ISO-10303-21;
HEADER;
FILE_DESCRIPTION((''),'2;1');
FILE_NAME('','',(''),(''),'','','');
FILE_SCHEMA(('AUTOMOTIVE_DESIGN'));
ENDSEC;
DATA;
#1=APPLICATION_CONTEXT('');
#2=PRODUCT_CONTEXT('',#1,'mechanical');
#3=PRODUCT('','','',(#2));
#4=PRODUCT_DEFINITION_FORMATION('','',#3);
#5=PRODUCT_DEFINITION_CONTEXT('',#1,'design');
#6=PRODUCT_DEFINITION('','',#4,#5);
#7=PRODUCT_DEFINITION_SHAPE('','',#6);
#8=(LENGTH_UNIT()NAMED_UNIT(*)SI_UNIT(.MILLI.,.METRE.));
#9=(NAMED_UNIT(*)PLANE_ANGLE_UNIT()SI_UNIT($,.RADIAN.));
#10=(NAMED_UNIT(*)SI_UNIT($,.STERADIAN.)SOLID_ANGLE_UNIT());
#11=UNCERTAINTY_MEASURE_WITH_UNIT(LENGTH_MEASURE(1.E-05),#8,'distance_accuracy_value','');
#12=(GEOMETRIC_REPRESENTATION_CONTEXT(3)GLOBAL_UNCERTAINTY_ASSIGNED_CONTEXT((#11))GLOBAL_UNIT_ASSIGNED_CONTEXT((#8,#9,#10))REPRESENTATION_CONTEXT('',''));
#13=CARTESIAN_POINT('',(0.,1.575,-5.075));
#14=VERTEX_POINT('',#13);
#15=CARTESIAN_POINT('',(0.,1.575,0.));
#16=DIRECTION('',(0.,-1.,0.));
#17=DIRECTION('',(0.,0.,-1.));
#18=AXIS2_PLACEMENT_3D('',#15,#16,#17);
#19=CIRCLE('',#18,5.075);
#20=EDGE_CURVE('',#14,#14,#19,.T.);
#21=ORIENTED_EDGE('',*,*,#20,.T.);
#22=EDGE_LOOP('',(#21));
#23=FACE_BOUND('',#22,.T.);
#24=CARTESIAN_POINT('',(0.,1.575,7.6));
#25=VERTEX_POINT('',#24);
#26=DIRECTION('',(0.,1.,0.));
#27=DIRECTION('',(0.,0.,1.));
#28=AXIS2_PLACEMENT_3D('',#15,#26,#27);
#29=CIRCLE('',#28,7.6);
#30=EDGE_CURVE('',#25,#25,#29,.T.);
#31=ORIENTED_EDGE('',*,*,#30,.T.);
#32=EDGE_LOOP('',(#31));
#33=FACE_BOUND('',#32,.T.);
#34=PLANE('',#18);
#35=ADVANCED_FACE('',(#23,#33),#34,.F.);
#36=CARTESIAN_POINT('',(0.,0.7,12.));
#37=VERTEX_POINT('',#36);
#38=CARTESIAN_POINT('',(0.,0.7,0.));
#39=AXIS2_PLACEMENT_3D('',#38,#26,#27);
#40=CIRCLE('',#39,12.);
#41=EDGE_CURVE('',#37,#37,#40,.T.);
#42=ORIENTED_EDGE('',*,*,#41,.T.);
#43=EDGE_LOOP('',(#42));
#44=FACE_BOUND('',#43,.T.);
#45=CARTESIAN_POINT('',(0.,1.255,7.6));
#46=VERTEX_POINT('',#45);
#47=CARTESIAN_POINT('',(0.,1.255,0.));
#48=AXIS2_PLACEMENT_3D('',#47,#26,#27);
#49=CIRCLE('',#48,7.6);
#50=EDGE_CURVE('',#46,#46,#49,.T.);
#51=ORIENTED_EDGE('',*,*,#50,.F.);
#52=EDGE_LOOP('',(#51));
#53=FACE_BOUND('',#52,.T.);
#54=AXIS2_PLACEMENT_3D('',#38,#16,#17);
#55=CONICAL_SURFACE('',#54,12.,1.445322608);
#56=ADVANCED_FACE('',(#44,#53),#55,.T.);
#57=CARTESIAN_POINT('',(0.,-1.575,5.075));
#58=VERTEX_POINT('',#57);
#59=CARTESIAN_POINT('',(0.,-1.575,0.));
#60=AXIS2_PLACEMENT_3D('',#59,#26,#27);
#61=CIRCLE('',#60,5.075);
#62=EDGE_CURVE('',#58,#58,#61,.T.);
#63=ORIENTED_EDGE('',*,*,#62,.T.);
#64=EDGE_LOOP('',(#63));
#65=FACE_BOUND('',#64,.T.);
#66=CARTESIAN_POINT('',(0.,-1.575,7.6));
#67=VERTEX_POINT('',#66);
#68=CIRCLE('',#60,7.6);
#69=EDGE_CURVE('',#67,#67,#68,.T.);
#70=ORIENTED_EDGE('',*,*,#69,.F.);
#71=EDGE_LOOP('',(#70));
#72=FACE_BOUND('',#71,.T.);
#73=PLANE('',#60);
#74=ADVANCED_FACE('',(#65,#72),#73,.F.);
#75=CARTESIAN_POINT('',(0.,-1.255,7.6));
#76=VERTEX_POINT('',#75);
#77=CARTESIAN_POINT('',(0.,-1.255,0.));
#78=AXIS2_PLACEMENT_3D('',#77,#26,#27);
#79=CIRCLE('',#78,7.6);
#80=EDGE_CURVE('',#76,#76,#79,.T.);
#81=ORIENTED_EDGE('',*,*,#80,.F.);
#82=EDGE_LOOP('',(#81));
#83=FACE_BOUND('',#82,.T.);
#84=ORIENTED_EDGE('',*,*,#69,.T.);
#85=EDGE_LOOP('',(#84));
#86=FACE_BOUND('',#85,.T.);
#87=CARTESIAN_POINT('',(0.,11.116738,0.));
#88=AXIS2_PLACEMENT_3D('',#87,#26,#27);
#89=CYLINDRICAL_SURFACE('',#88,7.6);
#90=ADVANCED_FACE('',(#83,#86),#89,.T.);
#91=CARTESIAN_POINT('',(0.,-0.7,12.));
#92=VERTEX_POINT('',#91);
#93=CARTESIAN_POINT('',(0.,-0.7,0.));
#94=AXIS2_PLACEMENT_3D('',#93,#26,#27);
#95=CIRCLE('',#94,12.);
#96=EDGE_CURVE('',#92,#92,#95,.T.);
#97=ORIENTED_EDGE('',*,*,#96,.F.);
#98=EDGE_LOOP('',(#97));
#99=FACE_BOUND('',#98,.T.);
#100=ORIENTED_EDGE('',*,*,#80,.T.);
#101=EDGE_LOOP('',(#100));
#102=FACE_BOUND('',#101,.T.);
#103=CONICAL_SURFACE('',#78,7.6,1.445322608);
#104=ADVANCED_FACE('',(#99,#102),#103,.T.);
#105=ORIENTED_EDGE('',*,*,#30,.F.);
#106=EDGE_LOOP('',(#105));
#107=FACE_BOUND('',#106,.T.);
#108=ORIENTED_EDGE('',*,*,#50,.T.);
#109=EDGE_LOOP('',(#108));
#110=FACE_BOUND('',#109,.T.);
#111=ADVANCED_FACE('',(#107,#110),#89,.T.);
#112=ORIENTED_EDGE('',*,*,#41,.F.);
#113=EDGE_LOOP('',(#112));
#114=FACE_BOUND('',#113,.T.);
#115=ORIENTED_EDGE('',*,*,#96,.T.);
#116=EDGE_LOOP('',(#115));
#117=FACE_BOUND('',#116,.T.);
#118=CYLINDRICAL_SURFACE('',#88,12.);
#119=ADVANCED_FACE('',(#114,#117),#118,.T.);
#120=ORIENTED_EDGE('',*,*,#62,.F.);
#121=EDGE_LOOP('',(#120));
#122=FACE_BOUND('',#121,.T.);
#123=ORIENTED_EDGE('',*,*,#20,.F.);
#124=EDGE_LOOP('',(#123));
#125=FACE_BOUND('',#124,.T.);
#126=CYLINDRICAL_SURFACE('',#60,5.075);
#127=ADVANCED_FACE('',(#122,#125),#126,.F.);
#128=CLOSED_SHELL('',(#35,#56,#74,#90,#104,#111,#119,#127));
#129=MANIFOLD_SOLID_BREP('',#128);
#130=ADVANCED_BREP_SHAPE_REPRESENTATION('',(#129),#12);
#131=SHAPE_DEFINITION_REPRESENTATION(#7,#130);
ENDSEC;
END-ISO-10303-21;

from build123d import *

# Parameters (mm, degrees)
CUT_EXTRUDE1_DEPTH      = 18.260431628
CUT_EXTRUDE1_DEPTH_BACK = 18.260431628
SKETCH5_R               = 5.075


with BuildPart() as part:
    # Sketch4 → Revolve1 (revolve)
    with BuildSketch(Plane.XY):
        Polygon((0, 1.575), (7.6, 1.575), (7.6, 1.255), (12, 0.7), (12, -0.7), (7.6, -1.255), (7.6, -1.575), (0, -1.575), align=None)
    revolve(axis=Axis((0, 11.116738423, 0), (0, -1, 0)))

    # Sketch5 → Cut-Extrude1 (cut, two sides: drawn at the far end of the back side and taken through both)
    with BuildSketch(Plane(origin=(0, 1.575, 0), x_dir=(1, 0, 0), z_dir=(0, 1, 0)).offset(-CUT_EXTRUDE1_DEPTH_BACK)):
        Circle(SKETCH5_R)
    extrude(amount=CUT_EXTRUDE1_DEPTH + CUT_EXTRUDE1_DEPTH_BACK, mode=Mode.SUBTRACT)


solid = part.part
